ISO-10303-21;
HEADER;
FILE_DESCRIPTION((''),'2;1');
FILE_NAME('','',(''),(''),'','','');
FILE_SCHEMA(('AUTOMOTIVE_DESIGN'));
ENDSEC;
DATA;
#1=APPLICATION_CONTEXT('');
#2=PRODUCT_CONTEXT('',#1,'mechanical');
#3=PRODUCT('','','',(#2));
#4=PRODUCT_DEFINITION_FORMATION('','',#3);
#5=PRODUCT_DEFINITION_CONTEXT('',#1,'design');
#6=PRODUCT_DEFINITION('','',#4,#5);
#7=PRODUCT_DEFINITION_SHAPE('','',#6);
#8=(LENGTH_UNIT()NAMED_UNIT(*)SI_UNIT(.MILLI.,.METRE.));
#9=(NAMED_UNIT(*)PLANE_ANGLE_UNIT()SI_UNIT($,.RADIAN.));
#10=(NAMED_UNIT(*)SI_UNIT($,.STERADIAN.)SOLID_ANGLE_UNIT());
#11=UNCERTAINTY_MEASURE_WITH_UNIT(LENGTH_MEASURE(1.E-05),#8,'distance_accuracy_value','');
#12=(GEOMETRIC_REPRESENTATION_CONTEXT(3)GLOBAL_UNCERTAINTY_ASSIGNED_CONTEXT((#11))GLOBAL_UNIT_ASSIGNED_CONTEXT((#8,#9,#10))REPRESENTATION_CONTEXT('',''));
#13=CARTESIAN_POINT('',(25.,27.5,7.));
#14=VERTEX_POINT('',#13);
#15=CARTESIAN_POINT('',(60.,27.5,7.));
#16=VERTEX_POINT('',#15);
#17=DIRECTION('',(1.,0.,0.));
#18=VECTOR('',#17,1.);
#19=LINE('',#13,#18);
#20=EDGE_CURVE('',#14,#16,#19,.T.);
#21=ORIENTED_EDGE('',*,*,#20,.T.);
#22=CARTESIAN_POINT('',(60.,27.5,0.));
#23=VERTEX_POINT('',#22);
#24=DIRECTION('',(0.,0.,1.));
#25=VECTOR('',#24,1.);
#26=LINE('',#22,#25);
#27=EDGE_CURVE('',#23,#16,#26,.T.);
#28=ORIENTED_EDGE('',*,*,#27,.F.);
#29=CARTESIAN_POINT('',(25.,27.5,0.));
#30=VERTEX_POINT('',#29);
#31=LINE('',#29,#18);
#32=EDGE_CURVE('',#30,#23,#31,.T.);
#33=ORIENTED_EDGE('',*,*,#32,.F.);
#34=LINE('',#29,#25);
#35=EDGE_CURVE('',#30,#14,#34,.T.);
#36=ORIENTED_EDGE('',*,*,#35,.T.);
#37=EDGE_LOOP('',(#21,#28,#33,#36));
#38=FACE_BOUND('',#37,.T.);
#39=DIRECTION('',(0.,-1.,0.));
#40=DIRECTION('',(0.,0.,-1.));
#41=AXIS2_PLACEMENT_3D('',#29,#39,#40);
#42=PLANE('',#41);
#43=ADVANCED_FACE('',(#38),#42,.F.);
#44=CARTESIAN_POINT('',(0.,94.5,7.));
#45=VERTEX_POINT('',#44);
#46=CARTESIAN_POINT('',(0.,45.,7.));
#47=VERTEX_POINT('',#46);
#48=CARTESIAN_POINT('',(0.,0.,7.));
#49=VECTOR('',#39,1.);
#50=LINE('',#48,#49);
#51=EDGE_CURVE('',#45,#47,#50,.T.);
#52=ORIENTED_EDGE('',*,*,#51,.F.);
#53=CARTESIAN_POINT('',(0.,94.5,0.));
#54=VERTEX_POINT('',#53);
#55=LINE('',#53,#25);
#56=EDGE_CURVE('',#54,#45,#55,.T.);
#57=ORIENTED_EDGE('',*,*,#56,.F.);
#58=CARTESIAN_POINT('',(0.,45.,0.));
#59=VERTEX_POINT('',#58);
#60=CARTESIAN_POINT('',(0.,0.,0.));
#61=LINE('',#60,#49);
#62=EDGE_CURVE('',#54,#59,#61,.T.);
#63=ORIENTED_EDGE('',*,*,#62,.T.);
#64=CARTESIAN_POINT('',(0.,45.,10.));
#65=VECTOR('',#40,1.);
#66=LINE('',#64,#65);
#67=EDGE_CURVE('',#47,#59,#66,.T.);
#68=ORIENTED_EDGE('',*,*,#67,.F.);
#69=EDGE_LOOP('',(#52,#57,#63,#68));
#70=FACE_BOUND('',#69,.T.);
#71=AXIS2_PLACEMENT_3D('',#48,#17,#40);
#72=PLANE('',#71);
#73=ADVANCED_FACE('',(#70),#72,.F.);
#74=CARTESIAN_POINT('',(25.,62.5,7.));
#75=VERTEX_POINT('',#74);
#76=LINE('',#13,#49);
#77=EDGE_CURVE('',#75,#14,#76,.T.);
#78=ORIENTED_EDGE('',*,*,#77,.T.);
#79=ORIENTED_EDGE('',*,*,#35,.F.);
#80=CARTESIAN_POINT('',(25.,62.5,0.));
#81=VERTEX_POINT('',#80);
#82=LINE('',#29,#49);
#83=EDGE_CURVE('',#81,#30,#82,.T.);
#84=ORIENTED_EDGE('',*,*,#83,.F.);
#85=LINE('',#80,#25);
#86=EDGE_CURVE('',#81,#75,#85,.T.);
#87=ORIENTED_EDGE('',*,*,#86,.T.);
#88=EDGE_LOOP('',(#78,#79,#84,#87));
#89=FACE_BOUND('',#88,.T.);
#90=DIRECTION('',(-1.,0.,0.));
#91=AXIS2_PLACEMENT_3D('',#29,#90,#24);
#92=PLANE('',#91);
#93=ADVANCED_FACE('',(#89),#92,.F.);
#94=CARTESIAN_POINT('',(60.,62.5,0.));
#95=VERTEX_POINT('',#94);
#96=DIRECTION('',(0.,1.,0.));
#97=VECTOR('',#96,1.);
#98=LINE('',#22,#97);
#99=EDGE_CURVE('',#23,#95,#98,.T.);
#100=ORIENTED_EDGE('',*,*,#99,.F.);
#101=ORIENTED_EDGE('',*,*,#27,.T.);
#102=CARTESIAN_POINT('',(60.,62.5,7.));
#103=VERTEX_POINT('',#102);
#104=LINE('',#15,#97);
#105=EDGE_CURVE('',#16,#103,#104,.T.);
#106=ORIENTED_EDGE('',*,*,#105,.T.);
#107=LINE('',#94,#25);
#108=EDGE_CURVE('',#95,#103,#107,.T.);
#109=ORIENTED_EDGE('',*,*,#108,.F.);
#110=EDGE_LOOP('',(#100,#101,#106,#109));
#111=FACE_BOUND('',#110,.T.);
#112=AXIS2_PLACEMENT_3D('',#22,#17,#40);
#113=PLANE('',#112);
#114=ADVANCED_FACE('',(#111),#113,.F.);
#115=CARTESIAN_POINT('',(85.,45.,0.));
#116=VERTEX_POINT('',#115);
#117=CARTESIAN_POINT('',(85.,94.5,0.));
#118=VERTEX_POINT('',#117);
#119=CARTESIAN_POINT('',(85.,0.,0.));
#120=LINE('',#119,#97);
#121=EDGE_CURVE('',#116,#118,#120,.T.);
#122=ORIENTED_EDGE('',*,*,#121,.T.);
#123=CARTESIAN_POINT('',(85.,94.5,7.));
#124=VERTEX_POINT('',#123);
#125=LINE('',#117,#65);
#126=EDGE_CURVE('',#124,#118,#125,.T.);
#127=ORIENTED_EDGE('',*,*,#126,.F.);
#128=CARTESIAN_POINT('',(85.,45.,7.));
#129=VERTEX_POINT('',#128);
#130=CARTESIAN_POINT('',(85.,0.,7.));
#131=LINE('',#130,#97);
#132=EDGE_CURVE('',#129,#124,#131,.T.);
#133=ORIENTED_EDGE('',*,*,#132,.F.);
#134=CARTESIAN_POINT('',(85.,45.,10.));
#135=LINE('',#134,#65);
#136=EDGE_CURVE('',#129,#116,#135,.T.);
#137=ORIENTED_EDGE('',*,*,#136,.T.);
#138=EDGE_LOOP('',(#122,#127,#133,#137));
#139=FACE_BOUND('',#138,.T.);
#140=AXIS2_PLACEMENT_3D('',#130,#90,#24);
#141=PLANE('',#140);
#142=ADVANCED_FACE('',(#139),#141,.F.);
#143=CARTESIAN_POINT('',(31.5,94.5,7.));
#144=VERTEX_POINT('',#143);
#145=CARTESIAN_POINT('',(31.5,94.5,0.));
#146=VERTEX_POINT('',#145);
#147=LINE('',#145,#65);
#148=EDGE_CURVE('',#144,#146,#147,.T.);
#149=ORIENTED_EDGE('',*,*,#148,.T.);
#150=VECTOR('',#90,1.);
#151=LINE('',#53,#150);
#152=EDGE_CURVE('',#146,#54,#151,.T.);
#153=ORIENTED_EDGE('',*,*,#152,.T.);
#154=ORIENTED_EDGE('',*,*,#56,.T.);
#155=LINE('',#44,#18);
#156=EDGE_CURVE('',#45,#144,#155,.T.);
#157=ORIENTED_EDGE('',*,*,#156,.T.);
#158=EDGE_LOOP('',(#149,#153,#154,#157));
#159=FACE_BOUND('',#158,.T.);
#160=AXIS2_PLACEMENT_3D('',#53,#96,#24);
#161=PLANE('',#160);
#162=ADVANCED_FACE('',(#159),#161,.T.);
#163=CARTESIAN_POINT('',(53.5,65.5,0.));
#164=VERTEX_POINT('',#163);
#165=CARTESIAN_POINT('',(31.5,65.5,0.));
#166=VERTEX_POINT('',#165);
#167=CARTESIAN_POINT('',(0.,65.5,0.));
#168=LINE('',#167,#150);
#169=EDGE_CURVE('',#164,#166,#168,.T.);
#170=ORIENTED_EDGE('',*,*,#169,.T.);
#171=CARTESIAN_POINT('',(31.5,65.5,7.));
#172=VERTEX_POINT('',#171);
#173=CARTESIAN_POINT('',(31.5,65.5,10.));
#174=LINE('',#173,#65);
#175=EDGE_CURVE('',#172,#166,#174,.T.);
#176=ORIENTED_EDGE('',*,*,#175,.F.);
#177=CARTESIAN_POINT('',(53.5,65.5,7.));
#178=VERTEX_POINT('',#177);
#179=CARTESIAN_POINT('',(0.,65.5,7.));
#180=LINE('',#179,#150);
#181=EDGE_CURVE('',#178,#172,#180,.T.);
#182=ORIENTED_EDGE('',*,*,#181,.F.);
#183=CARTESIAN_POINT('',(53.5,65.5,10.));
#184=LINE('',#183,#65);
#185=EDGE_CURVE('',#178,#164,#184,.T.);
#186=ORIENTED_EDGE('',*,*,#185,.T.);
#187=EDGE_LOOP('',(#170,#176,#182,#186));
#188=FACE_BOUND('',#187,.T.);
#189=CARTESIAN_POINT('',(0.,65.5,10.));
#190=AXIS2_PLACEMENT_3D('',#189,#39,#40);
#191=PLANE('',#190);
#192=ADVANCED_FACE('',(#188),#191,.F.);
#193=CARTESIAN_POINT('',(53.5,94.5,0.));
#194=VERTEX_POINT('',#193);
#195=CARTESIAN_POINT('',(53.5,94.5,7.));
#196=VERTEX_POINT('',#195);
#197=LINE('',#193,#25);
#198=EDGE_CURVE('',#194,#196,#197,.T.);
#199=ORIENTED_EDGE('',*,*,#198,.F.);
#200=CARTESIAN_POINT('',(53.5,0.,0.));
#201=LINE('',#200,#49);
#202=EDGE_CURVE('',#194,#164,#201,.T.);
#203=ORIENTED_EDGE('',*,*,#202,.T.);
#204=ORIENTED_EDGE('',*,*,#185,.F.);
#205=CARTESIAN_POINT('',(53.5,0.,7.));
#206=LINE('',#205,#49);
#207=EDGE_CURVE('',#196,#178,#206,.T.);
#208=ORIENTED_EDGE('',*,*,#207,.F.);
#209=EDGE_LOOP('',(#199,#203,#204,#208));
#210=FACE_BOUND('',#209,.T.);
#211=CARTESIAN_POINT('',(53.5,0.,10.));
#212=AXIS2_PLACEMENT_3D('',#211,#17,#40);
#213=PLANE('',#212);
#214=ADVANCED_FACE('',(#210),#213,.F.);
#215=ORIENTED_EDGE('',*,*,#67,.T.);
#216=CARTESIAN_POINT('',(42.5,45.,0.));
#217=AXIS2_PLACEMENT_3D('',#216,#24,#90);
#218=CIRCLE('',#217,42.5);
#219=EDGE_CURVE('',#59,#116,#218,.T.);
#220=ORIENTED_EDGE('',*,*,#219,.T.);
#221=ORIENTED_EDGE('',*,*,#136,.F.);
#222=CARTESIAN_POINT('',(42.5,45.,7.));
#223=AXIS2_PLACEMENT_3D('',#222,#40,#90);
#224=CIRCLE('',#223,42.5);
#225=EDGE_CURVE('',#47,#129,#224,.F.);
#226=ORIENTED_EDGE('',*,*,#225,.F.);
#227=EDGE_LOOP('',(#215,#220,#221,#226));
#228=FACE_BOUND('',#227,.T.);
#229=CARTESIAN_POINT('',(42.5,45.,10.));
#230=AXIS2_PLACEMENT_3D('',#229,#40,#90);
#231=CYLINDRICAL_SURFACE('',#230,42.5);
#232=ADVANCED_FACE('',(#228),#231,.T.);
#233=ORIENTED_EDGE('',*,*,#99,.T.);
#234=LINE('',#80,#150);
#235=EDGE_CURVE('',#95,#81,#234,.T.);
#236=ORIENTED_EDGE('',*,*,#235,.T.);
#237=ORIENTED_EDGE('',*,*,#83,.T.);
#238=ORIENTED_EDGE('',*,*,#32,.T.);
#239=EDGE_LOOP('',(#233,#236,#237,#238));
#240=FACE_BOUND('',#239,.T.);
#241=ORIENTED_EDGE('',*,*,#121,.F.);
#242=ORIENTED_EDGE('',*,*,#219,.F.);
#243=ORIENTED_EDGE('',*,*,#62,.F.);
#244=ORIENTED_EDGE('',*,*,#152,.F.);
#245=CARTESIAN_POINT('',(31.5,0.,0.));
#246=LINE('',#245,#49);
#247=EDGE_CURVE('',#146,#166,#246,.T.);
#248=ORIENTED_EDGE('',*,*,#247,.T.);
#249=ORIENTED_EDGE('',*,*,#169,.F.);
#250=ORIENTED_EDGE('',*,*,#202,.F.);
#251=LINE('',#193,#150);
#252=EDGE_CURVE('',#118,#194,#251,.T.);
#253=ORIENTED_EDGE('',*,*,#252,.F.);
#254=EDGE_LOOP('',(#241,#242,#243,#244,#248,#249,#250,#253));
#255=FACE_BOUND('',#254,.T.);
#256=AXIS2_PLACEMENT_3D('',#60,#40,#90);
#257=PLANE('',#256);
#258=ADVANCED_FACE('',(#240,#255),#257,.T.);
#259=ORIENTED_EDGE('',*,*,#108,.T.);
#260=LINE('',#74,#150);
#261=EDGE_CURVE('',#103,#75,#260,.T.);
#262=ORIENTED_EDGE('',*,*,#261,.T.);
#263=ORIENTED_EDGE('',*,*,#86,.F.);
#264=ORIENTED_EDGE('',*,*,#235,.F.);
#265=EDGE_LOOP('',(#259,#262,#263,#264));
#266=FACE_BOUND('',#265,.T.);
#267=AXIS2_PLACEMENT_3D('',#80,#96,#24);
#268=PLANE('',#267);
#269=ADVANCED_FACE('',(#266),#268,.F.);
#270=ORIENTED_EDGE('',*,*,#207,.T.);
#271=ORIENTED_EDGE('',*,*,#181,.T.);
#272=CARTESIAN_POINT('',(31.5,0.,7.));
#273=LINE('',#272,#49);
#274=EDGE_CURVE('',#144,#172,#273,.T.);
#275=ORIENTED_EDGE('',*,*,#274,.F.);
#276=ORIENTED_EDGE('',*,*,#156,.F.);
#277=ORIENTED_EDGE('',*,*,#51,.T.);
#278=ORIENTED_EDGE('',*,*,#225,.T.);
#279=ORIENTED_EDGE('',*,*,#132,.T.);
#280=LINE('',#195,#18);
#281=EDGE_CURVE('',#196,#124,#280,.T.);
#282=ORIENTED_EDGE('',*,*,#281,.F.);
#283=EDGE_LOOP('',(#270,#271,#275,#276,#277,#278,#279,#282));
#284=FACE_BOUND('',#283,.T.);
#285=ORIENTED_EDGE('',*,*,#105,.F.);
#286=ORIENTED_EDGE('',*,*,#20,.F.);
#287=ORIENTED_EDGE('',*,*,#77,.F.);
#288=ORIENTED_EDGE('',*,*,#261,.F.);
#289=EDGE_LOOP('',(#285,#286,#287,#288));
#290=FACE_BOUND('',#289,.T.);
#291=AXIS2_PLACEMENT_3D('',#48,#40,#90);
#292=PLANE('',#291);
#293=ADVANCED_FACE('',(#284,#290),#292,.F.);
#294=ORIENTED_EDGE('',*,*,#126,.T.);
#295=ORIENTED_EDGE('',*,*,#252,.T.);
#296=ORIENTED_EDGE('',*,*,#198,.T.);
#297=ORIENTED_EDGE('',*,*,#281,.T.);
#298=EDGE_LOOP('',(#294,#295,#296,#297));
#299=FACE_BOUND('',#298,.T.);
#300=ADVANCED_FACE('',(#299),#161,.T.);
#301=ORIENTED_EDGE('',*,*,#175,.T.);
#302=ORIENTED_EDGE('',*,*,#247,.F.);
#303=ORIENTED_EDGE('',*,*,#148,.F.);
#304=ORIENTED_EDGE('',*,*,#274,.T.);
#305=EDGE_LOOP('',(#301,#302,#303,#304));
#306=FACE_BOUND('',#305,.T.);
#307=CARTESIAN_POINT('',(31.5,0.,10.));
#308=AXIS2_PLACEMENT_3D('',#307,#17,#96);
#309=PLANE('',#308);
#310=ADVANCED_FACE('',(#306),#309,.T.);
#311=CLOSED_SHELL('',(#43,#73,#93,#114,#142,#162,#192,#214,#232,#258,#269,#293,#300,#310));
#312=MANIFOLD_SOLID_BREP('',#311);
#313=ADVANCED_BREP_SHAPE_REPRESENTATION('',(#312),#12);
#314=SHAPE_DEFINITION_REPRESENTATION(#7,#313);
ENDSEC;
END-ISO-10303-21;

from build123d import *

# Parameters (mm, degrees)
SKETCH1_W           = 85
SKETCH1_H           = 95
BOSS_EXTRUDE1_DEPTH = 7
SKETCH2_W           = 35
SKETCH2_H           = 35
CUT_EXTRUDE1_DEPTH  = 7
CUT_EXTRUDE4_DEPTH  = 10
SKETCH12_W          = 22
SKETCH12_H          = 29.5
CUT_EXTRUDE9_DEPTH  = 10
SKETCH13_W          = 31.5
SKETCH13_H          = 7
CUT_EXTRUDE10_DEPTH = 0.5


with BuildPart() as part:
    # Sketch1 → Boss-Extrude1 (new body)
    with BuildSketch(Plane.XY):
        with Locations((42.5, 47.5)):
            Rectangle(SKETCH1_W, SKETCH1_H)
    extrude(amount=BOSS_EXTRUDE1_DEPTH)

    # Sketch2 → Cut-Extrude1 (cut)
    with BuildSketch(Plane.XY.offset(7)):
        with Locations((42.5, 45)):
            Rectangle(SKETCH2_W, SKETCH2_H)
    extrude(amount=-CUT_EXTRUDE1_DEPTH, mode=Mode.SUBTRACT)

    # Sketch7 → Cut-Extrude4 (cut)
    with BuildSketch(Plane(origin=(0, 0, 0), x_dir=(-1, 0, 0), z_dir=(0, 0, -1))):
        with BuildLine():
            Line((-85, 45), (-85, 0))
            Line((-85, 0), (0, 0))
            Line((0, 0), (0, 45))
            ThreePointArc((0, 45), (-42.5, 2.5), (-85, 45))
        make_face()
    extrude(amount=-CUT_EXTRUDE4_DEPTH, mode=Mode.SUBTRACT)

    # Sketch12 → Cut-Extrude9 (cut)
    with BuildSketch(Plane(origin=(0, 0, 0), x_dir=(-1, 0, 0), z_dir=(0, 0, -1))):
        with Locations((-42.5, 80.25)):
            Rectangle(SKETCH12_W, SKETCH12_H)
    extrude(amount=-CUT_EXTRUDE9_DEPTH, mode=Mode.SUBTRACT)

    # Sketch13 → Cut-Extrude10 (cut)
    with BuildSketch(Plane(origin=(0, 95, 0), x_dir=(1, 0, 0), z_dir=(0, 1, 0))):
        with Locations((15.75, -3.5)):
            Rectangle(SKETCH13_W, SKETCH13_H)
        with Locations((69.25, -3.5)):
            Rectangle(SKETCH13_W, SKETCH13_H)
    extrude(amount=-CUT_EXTRUDE10_DEPTH, mode=Mode.SUBTRACT)


solid = part.part
